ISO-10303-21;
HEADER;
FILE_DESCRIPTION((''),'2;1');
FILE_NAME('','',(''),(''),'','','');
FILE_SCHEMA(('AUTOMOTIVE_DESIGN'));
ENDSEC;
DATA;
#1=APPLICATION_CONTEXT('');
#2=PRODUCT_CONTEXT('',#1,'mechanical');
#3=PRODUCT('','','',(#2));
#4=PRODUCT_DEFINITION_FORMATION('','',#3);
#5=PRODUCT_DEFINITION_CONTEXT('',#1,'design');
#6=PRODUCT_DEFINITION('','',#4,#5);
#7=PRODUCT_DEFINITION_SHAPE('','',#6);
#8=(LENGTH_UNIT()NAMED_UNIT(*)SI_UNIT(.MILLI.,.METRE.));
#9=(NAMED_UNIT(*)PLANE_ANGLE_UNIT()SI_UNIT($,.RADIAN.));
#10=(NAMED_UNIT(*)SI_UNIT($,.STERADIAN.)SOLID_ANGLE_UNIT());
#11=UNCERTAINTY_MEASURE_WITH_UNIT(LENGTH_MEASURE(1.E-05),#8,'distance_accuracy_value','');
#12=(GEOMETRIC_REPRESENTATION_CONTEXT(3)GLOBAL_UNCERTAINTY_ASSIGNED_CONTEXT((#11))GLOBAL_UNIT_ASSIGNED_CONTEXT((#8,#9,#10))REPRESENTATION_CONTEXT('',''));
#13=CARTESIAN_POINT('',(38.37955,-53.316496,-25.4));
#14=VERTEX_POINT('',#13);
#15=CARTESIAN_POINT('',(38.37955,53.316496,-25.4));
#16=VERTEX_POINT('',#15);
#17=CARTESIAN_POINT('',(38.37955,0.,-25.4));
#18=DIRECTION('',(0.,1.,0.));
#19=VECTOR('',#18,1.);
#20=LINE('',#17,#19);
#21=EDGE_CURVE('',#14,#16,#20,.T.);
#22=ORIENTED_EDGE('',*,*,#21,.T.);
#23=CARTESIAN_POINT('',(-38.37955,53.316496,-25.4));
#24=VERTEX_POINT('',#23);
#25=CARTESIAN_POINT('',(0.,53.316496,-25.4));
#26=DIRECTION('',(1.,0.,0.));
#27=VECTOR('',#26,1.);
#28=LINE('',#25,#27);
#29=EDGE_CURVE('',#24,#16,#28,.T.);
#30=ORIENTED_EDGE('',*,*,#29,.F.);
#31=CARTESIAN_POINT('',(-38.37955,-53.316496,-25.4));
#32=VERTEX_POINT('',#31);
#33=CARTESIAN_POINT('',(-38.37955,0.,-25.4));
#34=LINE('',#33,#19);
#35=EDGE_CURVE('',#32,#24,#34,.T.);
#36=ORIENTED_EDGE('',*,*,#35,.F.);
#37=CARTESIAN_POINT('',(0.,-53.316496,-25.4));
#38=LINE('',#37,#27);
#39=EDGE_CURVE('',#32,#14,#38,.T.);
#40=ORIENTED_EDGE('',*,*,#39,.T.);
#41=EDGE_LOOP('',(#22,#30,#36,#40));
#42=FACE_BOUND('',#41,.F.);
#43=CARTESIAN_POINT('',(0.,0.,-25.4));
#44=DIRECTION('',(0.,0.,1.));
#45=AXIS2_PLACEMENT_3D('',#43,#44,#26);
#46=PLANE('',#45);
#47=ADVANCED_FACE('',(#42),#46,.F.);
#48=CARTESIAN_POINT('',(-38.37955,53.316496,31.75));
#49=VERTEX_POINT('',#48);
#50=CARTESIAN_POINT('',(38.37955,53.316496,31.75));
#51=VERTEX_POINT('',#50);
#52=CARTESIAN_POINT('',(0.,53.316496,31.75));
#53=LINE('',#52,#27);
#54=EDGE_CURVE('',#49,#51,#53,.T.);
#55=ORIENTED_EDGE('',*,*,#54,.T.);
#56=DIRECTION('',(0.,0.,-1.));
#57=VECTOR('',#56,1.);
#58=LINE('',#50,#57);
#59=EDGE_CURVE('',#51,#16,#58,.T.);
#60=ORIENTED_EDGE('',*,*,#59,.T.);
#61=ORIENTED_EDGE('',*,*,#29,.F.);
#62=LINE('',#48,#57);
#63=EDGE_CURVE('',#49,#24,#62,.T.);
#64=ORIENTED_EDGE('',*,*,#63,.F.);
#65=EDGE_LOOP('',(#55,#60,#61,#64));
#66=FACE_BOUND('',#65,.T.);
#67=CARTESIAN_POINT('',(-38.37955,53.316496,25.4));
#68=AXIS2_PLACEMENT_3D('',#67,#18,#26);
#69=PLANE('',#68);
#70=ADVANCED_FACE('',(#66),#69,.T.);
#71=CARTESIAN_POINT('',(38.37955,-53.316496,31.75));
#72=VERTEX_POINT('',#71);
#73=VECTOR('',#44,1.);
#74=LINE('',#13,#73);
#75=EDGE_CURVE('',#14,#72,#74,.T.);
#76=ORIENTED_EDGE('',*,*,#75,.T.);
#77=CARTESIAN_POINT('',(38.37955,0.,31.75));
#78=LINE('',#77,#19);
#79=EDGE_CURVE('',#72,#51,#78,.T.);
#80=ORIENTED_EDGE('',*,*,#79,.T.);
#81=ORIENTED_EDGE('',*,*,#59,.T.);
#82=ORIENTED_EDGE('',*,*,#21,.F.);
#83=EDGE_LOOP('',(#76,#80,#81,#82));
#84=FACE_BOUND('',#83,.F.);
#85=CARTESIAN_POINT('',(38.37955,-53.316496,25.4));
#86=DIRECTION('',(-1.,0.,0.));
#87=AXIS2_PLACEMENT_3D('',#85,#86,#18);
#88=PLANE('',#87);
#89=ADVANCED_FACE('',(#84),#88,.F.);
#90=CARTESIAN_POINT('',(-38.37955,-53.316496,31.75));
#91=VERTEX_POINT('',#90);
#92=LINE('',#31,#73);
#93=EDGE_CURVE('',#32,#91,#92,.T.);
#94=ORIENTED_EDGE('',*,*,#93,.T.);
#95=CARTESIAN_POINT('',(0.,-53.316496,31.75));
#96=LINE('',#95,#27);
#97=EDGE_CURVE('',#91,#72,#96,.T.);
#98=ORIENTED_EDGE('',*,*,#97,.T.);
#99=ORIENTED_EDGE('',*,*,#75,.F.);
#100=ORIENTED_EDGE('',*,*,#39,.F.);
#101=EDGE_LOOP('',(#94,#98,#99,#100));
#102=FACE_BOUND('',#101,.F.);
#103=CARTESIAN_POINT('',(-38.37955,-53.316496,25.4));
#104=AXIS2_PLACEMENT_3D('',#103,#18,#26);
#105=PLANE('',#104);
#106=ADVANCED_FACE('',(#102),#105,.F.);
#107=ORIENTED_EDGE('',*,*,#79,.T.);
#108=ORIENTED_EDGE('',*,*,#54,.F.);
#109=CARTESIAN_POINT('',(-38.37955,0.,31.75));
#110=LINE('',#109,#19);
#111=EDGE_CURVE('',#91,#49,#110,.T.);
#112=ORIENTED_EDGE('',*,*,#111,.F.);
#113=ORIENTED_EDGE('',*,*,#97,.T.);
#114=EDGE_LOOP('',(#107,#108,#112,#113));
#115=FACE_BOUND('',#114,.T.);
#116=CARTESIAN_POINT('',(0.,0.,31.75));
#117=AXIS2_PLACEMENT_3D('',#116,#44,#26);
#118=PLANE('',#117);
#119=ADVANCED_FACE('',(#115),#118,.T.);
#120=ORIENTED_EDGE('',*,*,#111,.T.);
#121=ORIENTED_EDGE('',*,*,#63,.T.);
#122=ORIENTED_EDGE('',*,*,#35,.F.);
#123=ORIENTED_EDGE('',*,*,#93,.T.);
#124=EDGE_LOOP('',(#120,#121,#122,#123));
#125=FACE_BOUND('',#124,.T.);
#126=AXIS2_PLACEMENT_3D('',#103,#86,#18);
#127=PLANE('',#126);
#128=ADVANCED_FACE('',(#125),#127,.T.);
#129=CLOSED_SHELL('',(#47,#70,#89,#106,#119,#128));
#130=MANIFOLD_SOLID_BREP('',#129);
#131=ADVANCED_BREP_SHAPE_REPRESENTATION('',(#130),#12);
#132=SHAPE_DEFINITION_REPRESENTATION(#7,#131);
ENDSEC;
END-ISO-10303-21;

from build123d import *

# Parameters (mm, degrees)
F0_W          = 76.7591
F0_H          = 106.632992
F1_DEPTH      = 25.4
F1_DEPTH_BACK = 25.4
F1_FACE_W     = 76.7591
F1_FACE_H     = 106.632992
F2_DEPTH      = 6.35


with BuildPart() as f1:
    # F0 (on Top) → F1 (new body, two sides)
    with BuildSketch(Plane.XY) as f1_sk:
        Rectangle(F0_W, F0_H)
    extrude(amount=F1_DEPTH)
    extrude(f1_sk.sketch, amount=-F1_DEPTH_BACK)

    # F1_face (on face) → F2 (join)
    with BuildSketch(Plane.XY.offset(25.4)):
        Rectangle(F1_FACE_W, F1_FACE_H)
    extrude(amount=F2_DEPTH)


solid = f1.part
